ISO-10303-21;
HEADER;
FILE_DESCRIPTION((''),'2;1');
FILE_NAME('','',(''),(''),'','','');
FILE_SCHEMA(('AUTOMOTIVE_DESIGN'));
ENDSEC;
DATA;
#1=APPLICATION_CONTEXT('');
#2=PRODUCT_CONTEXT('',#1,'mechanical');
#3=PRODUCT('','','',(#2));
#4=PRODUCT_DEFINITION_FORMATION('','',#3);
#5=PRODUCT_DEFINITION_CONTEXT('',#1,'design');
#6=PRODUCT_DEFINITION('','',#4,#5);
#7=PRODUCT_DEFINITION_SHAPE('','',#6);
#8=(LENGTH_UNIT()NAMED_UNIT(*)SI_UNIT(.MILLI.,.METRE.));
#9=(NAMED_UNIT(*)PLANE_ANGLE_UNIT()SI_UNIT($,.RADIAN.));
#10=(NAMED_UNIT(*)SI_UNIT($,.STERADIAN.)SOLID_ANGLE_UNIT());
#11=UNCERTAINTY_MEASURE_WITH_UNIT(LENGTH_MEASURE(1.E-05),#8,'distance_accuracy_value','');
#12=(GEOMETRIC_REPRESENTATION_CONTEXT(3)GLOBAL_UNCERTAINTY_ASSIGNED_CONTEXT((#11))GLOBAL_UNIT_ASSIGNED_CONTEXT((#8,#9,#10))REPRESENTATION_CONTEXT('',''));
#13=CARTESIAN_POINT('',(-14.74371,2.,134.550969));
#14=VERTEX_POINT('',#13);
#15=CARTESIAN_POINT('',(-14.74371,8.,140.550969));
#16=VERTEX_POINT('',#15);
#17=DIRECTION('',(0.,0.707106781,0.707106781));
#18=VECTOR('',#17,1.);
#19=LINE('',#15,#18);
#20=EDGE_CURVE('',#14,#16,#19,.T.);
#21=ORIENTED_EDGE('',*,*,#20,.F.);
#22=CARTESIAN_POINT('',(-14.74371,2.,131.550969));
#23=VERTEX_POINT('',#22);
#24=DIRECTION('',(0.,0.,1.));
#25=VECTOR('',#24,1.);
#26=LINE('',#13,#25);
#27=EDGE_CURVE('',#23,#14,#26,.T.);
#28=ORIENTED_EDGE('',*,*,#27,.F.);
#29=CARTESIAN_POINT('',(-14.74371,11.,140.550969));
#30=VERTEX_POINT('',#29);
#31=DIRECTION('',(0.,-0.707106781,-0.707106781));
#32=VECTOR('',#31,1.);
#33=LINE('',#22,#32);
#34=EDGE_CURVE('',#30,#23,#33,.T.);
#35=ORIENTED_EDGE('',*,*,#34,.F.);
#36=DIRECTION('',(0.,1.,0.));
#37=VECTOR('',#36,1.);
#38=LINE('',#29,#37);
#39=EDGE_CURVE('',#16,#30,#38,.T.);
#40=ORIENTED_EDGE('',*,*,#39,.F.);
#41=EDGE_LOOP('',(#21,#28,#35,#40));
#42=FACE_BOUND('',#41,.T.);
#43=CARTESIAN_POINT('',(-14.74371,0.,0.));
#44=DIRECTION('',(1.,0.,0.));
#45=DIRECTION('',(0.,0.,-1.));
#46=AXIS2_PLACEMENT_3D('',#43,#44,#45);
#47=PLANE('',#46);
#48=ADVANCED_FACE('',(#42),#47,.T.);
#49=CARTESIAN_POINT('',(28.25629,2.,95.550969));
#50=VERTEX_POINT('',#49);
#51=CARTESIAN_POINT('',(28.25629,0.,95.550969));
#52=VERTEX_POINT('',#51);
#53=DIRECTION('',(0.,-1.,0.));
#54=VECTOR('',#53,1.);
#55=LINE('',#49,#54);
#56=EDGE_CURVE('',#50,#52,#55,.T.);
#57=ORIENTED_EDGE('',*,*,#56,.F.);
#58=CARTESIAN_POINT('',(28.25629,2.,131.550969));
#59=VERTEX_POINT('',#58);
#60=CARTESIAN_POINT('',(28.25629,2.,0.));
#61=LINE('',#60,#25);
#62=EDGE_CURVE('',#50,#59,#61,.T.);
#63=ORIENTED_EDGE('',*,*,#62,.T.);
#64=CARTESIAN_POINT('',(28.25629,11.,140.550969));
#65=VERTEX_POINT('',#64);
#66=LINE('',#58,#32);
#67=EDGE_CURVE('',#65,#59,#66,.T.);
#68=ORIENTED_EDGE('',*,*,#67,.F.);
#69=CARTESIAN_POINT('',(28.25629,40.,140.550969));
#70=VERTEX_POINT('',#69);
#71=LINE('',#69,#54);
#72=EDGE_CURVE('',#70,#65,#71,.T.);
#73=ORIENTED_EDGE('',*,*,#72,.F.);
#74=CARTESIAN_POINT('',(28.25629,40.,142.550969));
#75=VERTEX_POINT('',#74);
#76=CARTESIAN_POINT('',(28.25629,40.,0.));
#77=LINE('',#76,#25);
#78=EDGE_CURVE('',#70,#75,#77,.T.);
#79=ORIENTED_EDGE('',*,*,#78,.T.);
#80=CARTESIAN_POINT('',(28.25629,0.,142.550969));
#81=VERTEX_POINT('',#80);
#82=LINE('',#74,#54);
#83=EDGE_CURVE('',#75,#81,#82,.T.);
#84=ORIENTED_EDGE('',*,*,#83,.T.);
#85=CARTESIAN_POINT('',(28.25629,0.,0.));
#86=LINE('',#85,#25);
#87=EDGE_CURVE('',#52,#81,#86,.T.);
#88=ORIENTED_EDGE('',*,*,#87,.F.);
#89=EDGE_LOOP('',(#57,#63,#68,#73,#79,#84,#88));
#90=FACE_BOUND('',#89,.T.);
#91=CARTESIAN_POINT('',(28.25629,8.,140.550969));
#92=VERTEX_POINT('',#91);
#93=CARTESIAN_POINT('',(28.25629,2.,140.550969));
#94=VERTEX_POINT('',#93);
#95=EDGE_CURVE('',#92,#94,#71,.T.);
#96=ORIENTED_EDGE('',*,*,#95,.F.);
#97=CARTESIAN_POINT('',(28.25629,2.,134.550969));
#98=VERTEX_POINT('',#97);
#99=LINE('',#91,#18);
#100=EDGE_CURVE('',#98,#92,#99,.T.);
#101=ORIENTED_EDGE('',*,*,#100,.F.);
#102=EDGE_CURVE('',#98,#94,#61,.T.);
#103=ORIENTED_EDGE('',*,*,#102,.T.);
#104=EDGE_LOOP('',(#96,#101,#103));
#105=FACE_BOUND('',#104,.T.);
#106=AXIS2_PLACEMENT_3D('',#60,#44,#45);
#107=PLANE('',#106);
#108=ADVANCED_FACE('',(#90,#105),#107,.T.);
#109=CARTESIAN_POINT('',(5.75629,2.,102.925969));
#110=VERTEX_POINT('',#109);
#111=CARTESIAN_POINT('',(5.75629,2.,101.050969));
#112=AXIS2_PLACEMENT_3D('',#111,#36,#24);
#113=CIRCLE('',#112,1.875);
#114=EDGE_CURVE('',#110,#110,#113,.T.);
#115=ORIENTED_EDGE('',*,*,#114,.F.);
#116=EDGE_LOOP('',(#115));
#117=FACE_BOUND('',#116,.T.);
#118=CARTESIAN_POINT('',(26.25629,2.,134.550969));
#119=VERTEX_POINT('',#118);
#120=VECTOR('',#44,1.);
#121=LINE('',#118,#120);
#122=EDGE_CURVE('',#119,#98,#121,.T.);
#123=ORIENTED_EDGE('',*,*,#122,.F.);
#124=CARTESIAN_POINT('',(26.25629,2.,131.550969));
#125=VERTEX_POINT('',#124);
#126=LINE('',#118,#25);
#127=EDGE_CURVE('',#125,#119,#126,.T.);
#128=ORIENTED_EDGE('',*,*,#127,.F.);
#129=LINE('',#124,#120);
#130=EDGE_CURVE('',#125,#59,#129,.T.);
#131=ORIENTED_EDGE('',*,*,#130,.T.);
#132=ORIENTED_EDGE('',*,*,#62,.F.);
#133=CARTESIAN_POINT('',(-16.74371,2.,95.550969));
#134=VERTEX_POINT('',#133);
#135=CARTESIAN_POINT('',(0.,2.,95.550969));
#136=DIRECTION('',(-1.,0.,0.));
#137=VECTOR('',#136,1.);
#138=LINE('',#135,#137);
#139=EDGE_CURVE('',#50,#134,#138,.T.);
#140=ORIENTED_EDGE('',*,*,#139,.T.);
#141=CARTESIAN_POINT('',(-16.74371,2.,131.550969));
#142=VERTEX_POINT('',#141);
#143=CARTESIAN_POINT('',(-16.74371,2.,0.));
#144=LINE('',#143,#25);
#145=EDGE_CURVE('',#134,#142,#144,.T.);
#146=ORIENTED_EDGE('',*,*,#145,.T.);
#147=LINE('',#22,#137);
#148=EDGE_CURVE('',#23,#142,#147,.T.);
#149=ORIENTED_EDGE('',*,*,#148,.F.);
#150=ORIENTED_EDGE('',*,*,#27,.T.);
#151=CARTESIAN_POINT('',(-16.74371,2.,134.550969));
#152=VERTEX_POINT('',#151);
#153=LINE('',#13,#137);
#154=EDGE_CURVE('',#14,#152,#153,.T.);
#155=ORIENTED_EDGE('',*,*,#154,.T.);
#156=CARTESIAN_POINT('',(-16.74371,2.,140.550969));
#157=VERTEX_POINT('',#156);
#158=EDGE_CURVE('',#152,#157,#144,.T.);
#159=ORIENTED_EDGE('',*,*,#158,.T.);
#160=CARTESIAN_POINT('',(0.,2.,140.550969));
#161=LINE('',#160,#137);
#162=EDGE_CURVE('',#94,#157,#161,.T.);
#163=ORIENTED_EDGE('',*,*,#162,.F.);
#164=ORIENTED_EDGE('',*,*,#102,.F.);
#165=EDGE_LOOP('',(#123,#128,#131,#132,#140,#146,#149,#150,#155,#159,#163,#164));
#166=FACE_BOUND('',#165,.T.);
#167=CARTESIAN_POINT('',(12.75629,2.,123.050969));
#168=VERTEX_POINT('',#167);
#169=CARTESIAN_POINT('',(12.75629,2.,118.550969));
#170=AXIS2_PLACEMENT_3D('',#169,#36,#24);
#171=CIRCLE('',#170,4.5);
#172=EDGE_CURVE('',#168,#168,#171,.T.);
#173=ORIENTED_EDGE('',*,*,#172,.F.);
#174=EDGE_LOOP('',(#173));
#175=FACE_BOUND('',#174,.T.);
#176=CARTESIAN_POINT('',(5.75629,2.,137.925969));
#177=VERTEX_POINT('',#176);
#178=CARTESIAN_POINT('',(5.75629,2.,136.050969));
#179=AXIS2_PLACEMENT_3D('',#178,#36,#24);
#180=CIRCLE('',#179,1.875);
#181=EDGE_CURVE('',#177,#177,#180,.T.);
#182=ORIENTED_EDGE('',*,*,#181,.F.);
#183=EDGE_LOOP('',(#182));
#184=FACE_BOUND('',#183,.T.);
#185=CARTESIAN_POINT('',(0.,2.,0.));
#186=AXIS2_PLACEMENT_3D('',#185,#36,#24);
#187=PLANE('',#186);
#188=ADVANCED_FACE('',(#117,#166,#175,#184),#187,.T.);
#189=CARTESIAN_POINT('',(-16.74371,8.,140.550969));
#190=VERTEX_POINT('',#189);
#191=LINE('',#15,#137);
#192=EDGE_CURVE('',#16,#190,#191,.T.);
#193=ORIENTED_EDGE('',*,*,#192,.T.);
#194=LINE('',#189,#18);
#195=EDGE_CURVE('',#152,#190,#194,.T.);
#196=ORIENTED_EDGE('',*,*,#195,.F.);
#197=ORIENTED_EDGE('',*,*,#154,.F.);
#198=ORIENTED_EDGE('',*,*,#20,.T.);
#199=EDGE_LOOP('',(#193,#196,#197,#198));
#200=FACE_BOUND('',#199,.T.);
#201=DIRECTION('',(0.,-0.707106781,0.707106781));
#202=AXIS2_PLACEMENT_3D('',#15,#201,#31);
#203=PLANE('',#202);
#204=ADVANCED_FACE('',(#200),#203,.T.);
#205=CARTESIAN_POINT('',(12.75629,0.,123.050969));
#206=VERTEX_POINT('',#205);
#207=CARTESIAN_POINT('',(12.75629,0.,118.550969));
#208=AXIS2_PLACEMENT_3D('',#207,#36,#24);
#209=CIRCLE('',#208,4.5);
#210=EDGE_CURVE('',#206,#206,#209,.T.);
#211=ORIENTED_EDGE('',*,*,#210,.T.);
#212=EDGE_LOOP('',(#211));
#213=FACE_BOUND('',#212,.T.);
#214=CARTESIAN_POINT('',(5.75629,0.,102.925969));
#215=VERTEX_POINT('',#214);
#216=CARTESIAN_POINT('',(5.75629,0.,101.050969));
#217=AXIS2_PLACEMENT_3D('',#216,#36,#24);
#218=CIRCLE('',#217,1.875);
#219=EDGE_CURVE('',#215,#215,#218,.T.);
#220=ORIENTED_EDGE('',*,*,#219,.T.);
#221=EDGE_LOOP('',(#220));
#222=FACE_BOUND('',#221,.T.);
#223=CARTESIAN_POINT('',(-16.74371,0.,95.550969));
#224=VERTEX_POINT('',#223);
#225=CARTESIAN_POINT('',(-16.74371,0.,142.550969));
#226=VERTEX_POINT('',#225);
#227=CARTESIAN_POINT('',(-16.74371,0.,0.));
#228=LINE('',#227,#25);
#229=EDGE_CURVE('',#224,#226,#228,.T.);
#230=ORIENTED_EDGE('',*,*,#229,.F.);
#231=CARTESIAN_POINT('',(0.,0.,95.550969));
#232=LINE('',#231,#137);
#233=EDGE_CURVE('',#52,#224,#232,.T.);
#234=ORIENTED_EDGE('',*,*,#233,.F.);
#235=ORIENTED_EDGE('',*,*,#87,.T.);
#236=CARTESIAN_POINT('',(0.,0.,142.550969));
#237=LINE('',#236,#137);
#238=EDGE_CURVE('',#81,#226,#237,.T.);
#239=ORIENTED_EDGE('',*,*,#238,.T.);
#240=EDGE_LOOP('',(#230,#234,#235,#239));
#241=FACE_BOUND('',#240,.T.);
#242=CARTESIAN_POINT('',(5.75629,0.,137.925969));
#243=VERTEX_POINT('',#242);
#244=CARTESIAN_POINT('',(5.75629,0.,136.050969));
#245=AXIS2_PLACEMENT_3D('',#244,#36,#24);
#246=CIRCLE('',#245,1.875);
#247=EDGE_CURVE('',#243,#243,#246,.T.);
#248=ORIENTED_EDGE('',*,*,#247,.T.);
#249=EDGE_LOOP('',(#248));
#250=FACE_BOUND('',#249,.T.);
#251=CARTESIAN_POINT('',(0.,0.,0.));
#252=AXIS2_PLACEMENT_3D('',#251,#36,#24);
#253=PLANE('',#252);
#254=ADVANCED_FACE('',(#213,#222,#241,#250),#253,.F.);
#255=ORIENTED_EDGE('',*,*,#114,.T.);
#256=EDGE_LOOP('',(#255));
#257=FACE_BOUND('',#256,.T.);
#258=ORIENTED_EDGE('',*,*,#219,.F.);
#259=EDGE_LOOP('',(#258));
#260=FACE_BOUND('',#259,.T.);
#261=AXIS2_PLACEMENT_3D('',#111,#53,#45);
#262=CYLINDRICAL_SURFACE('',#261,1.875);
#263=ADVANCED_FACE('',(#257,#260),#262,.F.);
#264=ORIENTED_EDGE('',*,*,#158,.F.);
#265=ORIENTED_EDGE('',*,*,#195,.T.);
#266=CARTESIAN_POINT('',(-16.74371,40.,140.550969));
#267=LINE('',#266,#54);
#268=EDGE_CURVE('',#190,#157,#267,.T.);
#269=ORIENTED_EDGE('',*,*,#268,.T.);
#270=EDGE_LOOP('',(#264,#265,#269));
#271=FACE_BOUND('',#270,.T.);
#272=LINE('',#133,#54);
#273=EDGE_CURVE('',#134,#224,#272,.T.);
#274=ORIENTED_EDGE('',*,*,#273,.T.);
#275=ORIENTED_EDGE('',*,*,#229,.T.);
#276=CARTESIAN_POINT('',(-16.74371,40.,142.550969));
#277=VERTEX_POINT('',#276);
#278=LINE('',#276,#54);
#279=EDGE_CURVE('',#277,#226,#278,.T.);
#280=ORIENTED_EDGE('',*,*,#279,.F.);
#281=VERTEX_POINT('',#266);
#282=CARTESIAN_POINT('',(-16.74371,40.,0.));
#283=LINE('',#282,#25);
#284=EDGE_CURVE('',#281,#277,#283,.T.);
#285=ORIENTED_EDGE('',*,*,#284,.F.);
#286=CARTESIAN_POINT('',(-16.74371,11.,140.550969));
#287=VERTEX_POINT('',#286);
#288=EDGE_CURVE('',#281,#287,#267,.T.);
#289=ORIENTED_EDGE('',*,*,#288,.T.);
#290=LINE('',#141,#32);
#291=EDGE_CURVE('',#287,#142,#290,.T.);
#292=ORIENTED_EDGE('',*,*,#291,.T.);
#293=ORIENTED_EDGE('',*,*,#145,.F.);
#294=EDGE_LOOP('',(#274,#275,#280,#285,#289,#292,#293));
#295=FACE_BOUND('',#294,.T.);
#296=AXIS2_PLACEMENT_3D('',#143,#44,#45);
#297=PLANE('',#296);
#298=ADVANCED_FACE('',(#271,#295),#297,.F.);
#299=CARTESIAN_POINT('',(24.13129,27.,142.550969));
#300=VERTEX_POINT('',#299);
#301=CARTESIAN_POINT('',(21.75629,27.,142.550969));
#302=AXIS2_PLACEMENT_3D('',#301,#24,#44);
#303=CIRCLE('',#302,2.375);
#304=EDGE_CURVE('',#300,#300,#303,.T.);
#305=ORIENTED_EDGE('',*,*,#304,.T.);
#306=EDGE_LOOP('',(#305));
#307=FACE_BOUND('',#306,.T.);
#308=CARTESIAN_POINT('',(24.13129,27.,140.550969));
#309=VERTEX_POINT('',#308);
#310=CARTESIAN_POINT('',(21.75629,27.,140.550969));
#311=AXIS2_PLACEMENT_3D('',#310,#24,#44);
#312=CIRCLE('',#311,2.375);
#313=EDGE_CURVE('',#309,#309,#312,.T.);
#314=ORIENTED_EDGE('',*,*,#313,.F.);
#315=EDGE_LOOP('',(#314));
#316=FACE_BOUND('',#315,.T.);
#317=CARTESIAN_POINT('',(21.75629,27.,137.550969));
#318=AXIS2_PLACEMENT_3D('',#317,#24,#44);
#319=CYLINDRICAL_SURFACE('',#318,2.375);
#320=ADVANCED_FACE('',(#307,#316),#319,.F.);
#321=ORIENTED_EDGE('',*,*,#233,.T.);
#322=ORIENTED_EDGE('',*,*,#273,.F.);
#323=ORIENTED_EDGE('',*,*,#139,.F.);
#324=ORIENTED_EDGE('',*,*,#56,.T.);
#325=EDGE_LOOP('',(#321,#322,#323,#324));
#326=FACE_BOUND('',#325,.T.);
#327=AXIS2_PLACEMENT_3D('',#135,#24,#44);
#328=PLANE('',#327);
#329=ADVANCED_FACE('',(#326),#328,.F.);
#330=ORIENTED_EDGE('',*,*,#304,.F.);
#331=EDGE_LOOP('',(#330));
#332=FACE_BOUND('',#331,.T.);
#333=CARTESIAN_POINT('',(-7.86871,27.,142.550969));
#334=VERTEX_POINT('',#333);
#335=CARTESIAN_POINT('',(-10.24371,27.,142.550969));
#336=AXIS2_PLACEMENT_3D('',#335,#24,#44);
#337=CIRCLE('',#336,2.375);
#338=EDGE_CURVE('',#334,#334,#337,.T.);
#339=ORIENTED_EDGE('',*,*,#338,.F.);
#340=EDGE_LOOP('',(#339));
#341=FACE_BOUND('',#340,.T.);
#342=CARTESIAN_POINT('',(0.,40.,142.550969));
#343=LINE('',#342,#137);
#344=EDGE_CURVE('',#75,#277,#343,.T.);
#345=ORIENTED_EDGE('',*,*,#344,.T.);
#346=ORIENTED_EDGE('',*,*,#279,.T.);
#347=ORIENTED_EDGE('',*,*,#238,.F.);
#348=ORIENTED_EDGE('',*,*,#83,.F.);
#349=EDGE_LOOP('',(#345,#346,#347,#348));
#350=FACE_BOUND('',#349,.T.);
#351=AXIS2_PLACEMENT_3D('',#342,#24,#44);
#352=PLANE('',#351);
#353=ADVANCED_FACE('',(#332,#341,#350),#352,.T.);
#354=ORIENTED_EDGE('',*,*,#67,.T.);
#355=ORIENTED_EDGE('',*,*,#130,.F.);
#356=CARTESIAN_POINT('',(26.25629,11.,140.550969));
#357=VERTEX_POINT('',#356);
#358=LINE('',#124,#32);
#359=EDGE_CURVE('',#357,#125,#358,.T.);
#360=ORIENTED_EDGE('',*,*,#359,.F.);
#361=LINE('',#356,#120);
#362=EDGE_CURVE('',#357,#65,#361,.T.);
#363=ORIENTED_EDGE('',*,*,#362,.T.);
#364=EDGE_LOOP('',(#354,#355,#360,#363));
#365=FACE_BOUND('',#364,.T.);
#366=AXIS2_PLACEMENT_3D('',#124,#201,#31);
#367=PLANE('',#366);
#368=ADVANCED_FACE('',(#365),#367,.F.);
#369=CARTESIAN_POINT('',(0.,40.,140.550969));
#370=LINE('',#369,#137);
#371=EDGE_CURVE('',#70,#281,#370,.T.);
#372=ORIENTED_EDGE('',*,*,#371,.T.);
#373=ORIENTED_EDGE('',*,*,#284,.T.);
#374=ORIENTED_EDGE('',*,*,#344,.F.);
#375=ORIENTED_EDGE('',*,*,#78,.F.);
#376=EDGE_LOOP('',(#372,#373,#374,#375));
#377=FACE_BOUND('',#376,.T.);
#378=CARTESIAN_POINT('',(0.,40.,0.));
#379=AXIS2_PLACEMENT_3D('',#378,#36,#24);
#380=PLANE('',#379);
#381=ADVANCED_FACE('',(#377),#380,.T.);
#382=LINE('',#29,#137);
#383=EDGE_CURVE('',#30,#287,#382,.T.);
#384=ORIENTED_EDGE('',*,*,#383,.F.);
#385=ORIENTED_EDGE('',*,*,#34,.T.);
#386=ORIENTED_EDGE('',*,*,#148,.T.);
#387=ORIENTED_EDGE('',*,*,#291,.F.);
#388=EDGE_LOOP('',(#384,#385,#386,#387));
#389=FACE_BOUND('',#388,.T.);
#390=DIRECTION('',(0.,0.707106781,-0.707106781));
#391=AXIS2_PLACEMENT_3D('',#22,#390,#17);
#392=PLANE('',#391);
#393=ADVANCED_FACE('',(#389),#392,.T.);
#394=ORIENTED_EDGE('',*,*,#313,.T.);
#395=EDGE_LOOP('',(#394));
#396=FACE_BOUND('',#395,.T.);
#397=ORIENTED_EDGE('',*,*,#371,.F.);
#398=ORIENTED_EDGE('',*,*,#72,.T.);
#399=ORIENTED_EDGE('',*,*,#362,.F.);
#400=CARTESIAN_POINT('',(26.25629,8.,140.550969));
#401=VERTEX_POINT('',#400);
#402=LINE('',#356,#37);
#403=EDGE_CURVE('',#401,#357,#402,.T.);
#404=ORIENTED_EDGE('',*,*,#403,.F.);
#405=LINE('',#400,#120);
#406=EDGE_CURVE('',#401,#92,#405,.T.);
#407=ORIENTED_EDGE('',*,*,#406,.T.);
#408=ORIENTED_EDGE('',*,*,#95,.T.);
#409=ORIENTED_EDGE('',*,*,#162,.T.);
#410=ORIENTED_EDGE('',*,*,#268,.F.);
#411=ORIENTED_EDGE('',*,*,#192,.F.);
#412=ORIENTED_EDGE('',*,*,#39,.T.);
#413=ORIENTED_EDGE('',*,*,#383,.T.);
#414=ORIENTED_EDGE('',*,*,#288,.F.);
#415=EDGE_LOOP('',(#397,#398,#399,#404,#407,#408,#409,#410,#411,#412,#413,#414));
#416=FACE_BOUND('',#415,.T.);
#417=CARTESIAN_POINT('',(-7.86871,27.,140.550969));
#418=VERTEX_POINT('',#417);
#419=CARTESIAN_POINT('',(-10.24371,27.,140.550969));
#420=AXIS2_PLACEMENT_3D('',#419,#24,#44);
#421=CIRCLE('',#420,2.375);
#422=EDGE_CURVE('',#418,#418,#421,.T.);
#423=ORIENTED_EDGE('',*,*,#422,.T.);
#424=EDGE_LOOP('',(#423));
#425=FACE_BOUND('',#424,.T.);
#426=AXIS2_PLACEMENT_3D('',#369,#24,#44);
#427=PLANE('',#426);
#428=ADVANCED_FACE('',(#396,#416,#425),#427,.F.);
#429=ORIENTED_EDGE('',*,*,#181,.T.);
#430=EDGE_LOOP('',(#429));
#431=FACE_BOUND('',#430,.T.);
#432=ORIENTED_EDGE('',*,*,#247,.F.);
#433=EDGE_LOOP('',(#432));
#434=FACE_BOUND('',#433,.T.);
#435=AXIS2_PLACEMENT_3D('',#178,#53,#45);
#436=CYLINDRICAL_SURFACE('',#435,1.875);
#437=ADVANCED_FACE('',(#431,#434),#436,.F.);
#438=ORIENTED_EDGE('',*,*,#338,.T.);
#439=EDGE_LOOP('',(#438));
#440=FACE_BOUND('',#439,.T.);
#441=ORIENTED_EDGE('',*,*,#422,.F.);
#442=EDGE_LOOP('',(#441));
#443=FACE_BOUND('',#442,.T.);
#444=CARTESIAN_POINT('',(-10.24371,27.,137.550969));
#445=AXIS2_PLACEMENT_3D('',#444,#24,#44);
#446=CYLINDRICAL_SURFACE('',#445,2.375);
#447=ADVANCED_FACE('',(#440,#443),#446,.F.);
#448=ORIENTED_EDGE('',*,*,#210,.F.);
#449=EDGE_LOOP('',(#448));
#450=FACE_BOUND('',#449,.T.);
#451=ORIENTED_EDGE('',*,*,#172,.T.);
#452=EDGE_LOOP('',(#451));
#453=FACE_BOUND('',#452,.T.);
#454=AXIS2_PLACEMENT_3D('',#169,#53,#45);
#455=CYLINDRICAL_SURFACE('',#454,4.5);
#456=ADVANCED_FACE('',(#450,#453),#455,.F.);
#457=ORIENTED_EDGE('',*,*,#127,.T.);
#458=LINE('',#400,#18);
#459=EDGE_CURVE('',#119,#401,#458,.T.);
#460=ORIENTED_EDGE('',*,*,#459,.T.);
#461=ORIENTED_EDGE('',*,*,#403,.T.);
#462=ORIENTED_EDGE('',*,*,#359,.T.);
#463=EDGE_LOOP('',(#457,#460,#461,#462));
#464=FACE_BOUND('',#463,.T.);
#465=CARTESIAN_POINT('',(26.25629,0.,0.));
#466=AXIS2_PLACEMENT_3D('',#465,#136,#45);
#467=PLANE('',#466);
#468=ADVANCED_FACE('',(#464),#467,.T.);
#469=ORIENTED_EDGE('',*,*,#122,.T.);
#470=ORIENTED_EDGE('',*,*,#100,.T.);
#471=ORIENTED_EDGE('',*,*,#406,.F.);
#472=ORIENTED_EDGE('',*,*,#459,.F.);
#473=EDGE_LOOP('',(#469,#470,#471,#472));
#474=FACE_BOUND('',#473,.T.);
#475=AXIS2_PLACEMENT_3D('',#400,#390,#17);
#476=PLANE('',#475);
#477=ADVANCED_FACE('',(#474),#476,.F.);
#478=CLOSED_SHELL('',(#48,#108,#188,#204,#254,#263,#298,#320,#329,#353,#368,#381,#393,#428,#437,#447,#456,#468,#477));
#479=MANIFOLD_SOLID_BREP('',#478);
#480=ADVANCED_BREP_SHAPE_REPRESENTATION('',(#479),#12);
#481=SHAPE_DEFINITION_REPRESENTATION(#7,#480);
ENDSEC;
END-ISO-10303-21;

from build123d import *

# Parameters (mm, degrees)
SKETCH7_W           = 45
SKETCH7_H           = 45
SKETCH7_R           = 1.875
SKETCH7_R_2         = 4.5
BOSS_EXTRUDE5_DEPTH = 2
SKETCH7_3_W         = 45
SKETCH7_3_H         = 2
BOSS_EXTRUDE6_DEPTH = 40
BOSS_EXTRUDE7_DEPTH = 2
SKETCH10_R          = 2.375
CUT_EXTRUDE2_DEPTH  = 5


with BuildPart() as part:
    # Sketch7 → Boss-Extrude5 (new body)
    with BuildSketch(Plane(origin=(0, 0, 0), x_dir=(1, 0, 0), z_dir=(0, 1, 0))):
        with Locations((5.756289545, -118.050969126)):
            Rectangle(SKETCH7_W, SKETCH7_H)
        with Locations((5.756289545, -136.050969126)):
            Circle(SKETCH7_R, mode=Mode.SUBTRACT)
        with Locations((5.756289545, -101.050969126)):
            Circle(SKETCH7_R, mode=Mode.SUBTRACT)
        with Locations((12.756289545, -118.550969126)):
            Circle(SKETCH7_R_2, mode=Mode.SUBTRACT)
    extrude(amount=BOSS_EXTRUDE5_DEPTH)

    # Sketch7<3> → Boss-Extrude6 (add)
    with BuildSketch(Plane(origin=(0, 0, 0), x_dir=(1, 0, 0), z_dir=(0, 1, 0))):
        with Locations((5.756289545, -141.550969126)):
            Rectangle(SKETCH7_3_W, SKETCH7_3_H)
    extrude(amount=BOSS_EXTRUDE6_DEPTH)

    # Sketch8 → Boss-Extrude7 (add)
    with BuildSketch(Plane.ZY.offset(16.743710455)):
        Polygon((140.550969126, 8), (134.550969126, 2), (131.550969126, 2), (140.550969126, 11), align=None)
    boss_extrude7 = extrude(amount=-BOSS_EXTRUDE7_DEPTH)

    # Mirror2: Boss-Extrude7 across plane
    add(boss_extrude7.mirror(Plane.ZY.offset(-5.756289545)))

    # Sketch10 → Cut-Extrude2 (cut)
    with BuildSketch(Plane.XY.offset(142.550969126)):
        with Locations((21.756289545, 27)):
            Circle(SKETCH10_R)
        with Locations((-10.243710455, 27)):
            Circle(SKETCH10_R)
    extrude(amount=-CUT_EXTRUDE2_DEPTH, mode=Mode.SUBTRACT)


solid = part.part
